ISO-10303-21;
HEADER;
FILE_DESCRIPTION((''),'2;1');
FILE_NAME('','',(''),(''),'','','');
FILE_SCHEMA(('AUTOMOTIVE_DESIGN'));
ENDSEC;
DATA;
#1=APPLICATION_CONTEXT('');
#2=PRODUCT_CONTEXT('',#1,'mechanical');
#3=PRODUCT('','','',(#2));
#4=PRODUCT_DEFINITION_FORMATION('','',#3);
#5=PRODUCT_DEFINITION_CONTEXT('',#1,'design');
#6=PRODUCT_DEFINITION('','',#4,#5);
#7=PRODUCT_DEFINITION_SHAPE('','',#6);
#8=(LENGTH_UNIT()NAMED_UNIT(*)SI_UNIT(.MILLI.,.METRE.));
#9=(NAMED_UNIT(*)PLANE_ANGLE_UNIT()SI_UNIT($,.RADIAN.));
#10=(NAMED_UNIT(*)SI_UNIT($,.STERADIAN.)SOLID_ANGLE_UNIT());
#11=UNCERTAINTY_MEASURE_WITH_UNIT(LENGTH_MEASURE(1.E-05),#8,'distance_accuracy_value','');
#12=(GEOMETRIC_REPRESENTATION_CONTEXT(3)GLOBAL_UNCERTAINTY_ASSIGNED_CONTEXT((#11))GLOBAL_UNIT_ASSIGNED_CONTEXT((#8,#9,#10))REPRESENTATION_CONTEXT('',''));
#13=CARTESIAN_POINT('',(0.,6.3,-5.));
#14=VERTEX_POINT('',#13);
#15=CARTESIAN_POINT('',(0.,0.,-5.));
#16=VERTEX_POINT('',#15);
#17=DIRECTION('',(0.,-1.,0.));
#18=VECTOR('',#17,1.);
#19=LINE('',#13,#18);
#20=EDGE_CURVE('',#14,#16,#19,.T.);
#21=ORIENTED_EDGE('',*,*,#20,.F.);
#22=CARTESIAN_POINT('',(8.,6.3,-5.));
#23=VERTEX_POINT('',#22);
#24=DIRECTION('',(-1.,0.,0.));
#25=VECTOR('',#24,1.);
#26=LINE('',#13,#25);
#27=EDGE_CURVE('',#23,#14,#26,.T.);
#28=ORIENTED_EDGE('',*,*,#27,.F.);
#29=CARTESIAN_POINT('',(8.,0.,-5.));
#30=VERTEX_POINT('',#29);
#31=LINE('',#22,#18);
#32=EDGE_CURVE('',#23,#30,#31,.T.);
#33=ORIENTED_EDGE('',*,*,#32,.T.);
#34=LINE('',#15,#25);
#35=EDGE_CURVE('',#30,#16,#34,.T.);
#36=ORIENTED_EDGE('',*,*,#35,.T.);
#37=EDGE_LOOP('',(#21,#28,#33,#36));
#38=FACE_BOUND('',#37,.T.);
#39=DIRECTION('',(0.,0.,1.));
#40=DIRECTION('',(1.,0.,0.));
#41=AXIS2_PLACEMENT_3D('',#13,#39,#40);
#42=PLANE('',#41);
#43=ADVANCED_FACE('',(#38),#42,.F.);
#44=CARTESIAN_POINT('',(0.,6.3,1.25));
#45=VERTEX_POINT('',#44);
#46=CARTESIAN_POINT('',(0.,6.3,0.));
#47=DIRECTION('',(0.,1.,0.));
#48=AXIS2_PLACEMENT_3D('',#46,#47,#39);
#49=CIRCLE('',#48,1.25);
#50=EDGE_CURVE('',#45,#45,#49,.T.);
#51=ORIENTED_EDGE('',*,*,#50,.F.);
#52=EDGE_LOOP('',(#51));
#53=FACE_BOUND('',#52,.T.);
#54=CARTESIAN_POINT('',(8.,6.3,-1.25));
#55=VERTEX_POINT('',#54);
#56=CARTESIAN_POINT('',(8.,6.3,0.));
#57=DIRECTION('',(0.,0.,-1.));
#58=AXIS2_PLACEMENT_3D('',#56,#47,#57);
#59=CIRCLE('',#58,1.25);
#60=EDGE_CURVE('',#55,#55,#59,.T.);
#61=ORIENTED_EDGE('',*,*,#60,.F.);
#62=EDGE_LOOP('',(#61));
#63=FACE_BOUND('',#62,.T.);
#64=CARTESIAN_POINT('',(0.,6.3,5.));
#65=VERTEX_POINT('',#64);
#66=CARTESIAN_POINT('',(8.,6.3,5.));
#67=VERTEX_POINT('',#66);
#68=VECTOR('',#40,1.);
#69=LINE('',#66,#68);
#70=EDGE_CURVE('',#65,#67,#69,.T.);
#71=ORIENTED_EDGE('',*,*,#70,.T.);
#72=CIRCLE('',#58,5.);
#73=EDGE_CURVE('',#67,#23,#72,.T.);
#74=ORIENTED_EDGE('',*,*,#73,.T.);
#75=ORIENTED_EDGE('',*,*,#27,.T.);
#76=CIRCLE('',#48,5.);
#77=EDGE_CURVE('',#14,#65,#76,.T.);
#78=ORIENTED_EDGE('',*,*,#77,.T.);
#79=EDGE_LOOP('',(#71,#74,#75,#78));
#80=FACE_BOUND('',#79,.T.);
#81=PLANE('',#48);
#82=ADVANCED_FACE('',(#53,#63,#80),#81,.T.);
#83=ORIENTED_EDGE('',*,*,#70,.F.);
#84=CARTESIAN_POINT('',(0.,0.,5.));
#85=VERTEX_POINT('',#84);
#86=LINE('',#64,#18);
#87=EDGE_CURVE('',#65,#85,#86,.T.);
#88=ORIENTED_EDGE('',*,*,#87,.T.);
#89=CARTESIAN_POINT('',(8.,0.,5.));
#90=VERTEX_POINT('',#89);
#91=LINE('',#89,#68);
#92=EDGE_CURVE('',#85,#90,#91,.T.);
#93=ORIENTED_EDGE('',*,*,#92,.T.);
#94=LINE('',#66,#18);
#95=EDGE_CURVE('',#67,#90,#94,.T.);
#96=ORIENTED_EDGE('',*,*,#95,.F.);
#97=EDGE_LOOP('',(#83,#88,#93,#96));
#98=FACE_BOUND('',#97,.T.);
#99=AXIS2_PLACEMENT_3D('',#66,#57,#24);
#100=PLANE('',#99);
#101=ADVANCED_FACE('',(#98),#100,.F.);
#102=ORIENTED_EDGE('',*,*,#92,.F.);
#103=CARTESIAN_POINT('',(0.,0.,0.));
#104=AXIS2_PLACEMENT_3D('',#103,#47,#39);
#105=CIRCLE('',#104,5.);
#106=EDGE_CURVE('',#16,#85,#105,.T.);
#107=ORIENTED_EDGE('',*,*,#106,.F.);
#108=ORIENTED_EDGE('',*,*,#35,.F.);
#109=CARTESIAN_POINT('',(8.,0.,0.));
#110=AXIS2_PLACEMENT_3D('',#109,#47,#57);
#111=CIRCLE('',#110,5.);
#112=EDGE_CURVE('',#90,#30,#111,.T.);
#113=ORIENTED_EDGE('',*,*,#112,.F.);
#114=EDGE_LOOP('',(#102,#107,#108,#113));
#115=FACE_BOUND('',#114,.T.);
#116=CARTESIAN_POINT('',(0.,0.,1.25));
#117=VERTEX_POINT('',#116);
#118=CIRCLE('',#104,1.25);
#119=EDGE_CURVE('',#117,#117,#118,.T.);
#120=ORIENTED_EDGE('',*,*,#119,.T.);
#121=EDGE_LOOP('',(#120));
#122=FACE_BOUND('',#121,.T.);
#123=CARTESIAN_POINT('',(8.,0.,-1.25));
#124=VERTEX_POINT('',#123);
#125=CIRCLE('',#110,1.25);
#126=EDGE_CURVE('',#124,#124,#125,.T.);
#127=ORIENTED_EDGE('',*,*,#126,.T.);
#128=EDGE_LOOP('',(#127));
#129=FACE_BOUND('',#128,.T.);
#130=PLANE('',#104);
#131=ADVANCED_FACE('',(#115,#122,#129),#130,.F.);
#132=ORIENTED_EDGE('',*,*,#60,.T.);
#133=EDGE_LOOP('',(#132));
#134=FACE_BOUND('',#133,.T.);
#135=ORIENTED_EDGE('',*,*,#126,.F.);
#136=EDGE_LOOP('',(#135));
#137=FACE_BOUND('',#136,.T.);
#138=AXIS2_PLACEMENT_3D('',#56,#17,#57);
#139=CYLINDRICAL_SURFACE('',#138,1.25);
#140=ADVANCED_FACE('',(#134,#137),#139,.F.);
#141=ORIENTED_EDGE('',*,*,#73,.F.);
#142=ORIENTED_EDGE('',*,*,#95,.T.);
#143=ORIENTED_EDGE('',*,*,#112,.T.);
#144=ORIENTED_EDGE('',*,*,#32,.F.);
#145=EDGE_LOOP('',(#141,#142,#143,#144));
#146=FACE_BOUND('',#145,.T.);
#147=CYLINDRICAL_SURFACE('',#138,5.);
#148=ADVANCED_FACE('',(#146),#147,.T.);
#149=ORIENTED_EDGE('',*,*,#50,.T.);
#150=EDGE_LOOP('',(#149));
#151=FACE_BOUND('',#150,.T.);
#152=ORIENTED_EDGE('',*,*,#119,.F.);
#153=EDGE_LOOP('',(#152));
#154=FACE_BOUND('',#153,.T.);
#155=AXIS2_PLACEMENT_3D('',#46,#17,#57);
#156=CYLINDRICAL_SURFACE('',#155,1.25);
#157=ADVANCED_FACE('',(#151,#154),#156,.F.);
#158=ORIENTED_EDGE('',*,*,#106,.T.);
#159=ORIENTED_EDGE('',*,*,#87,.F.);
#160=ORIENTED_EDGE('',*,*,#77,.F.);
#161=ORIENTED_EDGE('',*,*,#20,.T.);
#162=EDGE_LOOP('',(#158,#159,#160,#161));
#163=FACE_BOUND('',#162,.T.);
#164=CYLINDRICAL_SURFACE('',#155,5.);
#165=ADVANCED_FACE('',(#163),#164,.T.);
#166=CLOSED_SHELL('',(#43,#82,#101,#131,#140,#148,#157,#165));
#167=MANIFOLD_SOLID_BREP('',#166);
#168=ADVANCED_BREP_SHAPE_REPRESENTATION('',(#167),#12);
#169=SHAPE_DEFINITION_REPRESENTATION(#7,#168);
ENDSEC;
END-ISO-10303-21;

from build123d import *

# Parameters (mm, degrees)
SKETCH1_R           = 1.25
BOSS_EXTRUDE1_DEPTH = 6.3


with BuildPart() as part:
    # Sketch1 → Boss-Extrude1 (new body)
    with BuildSketch(Plane(origin=(0, 0, 0), x_dir=(1, 0, 0), z_dir=(0, 1, 0))):
        with BuildLine():
            Line((0, 5), (8, 5))
            ThreePointArc((8, 5), (13, 0), (8, -5))
            Line((8, -5), (0, -5))
            ThreePointArc((0, -5), (-5, 0), (0, 5))
        make_face()
        with Locations(Location((0, 0, 0), (0, 0, 270))):
            Circle(SKETCH1_R, mode=Mode.SUBTRACT)
        with Locations(Location((8, 0, 0), (0, 0, 90))):
            Circle(SKETCH1_R, mode=Mode.SUBTRACT)
    extrude(amount=BOSS_EXTRUDE1_DEPTH)


solid = part.part
